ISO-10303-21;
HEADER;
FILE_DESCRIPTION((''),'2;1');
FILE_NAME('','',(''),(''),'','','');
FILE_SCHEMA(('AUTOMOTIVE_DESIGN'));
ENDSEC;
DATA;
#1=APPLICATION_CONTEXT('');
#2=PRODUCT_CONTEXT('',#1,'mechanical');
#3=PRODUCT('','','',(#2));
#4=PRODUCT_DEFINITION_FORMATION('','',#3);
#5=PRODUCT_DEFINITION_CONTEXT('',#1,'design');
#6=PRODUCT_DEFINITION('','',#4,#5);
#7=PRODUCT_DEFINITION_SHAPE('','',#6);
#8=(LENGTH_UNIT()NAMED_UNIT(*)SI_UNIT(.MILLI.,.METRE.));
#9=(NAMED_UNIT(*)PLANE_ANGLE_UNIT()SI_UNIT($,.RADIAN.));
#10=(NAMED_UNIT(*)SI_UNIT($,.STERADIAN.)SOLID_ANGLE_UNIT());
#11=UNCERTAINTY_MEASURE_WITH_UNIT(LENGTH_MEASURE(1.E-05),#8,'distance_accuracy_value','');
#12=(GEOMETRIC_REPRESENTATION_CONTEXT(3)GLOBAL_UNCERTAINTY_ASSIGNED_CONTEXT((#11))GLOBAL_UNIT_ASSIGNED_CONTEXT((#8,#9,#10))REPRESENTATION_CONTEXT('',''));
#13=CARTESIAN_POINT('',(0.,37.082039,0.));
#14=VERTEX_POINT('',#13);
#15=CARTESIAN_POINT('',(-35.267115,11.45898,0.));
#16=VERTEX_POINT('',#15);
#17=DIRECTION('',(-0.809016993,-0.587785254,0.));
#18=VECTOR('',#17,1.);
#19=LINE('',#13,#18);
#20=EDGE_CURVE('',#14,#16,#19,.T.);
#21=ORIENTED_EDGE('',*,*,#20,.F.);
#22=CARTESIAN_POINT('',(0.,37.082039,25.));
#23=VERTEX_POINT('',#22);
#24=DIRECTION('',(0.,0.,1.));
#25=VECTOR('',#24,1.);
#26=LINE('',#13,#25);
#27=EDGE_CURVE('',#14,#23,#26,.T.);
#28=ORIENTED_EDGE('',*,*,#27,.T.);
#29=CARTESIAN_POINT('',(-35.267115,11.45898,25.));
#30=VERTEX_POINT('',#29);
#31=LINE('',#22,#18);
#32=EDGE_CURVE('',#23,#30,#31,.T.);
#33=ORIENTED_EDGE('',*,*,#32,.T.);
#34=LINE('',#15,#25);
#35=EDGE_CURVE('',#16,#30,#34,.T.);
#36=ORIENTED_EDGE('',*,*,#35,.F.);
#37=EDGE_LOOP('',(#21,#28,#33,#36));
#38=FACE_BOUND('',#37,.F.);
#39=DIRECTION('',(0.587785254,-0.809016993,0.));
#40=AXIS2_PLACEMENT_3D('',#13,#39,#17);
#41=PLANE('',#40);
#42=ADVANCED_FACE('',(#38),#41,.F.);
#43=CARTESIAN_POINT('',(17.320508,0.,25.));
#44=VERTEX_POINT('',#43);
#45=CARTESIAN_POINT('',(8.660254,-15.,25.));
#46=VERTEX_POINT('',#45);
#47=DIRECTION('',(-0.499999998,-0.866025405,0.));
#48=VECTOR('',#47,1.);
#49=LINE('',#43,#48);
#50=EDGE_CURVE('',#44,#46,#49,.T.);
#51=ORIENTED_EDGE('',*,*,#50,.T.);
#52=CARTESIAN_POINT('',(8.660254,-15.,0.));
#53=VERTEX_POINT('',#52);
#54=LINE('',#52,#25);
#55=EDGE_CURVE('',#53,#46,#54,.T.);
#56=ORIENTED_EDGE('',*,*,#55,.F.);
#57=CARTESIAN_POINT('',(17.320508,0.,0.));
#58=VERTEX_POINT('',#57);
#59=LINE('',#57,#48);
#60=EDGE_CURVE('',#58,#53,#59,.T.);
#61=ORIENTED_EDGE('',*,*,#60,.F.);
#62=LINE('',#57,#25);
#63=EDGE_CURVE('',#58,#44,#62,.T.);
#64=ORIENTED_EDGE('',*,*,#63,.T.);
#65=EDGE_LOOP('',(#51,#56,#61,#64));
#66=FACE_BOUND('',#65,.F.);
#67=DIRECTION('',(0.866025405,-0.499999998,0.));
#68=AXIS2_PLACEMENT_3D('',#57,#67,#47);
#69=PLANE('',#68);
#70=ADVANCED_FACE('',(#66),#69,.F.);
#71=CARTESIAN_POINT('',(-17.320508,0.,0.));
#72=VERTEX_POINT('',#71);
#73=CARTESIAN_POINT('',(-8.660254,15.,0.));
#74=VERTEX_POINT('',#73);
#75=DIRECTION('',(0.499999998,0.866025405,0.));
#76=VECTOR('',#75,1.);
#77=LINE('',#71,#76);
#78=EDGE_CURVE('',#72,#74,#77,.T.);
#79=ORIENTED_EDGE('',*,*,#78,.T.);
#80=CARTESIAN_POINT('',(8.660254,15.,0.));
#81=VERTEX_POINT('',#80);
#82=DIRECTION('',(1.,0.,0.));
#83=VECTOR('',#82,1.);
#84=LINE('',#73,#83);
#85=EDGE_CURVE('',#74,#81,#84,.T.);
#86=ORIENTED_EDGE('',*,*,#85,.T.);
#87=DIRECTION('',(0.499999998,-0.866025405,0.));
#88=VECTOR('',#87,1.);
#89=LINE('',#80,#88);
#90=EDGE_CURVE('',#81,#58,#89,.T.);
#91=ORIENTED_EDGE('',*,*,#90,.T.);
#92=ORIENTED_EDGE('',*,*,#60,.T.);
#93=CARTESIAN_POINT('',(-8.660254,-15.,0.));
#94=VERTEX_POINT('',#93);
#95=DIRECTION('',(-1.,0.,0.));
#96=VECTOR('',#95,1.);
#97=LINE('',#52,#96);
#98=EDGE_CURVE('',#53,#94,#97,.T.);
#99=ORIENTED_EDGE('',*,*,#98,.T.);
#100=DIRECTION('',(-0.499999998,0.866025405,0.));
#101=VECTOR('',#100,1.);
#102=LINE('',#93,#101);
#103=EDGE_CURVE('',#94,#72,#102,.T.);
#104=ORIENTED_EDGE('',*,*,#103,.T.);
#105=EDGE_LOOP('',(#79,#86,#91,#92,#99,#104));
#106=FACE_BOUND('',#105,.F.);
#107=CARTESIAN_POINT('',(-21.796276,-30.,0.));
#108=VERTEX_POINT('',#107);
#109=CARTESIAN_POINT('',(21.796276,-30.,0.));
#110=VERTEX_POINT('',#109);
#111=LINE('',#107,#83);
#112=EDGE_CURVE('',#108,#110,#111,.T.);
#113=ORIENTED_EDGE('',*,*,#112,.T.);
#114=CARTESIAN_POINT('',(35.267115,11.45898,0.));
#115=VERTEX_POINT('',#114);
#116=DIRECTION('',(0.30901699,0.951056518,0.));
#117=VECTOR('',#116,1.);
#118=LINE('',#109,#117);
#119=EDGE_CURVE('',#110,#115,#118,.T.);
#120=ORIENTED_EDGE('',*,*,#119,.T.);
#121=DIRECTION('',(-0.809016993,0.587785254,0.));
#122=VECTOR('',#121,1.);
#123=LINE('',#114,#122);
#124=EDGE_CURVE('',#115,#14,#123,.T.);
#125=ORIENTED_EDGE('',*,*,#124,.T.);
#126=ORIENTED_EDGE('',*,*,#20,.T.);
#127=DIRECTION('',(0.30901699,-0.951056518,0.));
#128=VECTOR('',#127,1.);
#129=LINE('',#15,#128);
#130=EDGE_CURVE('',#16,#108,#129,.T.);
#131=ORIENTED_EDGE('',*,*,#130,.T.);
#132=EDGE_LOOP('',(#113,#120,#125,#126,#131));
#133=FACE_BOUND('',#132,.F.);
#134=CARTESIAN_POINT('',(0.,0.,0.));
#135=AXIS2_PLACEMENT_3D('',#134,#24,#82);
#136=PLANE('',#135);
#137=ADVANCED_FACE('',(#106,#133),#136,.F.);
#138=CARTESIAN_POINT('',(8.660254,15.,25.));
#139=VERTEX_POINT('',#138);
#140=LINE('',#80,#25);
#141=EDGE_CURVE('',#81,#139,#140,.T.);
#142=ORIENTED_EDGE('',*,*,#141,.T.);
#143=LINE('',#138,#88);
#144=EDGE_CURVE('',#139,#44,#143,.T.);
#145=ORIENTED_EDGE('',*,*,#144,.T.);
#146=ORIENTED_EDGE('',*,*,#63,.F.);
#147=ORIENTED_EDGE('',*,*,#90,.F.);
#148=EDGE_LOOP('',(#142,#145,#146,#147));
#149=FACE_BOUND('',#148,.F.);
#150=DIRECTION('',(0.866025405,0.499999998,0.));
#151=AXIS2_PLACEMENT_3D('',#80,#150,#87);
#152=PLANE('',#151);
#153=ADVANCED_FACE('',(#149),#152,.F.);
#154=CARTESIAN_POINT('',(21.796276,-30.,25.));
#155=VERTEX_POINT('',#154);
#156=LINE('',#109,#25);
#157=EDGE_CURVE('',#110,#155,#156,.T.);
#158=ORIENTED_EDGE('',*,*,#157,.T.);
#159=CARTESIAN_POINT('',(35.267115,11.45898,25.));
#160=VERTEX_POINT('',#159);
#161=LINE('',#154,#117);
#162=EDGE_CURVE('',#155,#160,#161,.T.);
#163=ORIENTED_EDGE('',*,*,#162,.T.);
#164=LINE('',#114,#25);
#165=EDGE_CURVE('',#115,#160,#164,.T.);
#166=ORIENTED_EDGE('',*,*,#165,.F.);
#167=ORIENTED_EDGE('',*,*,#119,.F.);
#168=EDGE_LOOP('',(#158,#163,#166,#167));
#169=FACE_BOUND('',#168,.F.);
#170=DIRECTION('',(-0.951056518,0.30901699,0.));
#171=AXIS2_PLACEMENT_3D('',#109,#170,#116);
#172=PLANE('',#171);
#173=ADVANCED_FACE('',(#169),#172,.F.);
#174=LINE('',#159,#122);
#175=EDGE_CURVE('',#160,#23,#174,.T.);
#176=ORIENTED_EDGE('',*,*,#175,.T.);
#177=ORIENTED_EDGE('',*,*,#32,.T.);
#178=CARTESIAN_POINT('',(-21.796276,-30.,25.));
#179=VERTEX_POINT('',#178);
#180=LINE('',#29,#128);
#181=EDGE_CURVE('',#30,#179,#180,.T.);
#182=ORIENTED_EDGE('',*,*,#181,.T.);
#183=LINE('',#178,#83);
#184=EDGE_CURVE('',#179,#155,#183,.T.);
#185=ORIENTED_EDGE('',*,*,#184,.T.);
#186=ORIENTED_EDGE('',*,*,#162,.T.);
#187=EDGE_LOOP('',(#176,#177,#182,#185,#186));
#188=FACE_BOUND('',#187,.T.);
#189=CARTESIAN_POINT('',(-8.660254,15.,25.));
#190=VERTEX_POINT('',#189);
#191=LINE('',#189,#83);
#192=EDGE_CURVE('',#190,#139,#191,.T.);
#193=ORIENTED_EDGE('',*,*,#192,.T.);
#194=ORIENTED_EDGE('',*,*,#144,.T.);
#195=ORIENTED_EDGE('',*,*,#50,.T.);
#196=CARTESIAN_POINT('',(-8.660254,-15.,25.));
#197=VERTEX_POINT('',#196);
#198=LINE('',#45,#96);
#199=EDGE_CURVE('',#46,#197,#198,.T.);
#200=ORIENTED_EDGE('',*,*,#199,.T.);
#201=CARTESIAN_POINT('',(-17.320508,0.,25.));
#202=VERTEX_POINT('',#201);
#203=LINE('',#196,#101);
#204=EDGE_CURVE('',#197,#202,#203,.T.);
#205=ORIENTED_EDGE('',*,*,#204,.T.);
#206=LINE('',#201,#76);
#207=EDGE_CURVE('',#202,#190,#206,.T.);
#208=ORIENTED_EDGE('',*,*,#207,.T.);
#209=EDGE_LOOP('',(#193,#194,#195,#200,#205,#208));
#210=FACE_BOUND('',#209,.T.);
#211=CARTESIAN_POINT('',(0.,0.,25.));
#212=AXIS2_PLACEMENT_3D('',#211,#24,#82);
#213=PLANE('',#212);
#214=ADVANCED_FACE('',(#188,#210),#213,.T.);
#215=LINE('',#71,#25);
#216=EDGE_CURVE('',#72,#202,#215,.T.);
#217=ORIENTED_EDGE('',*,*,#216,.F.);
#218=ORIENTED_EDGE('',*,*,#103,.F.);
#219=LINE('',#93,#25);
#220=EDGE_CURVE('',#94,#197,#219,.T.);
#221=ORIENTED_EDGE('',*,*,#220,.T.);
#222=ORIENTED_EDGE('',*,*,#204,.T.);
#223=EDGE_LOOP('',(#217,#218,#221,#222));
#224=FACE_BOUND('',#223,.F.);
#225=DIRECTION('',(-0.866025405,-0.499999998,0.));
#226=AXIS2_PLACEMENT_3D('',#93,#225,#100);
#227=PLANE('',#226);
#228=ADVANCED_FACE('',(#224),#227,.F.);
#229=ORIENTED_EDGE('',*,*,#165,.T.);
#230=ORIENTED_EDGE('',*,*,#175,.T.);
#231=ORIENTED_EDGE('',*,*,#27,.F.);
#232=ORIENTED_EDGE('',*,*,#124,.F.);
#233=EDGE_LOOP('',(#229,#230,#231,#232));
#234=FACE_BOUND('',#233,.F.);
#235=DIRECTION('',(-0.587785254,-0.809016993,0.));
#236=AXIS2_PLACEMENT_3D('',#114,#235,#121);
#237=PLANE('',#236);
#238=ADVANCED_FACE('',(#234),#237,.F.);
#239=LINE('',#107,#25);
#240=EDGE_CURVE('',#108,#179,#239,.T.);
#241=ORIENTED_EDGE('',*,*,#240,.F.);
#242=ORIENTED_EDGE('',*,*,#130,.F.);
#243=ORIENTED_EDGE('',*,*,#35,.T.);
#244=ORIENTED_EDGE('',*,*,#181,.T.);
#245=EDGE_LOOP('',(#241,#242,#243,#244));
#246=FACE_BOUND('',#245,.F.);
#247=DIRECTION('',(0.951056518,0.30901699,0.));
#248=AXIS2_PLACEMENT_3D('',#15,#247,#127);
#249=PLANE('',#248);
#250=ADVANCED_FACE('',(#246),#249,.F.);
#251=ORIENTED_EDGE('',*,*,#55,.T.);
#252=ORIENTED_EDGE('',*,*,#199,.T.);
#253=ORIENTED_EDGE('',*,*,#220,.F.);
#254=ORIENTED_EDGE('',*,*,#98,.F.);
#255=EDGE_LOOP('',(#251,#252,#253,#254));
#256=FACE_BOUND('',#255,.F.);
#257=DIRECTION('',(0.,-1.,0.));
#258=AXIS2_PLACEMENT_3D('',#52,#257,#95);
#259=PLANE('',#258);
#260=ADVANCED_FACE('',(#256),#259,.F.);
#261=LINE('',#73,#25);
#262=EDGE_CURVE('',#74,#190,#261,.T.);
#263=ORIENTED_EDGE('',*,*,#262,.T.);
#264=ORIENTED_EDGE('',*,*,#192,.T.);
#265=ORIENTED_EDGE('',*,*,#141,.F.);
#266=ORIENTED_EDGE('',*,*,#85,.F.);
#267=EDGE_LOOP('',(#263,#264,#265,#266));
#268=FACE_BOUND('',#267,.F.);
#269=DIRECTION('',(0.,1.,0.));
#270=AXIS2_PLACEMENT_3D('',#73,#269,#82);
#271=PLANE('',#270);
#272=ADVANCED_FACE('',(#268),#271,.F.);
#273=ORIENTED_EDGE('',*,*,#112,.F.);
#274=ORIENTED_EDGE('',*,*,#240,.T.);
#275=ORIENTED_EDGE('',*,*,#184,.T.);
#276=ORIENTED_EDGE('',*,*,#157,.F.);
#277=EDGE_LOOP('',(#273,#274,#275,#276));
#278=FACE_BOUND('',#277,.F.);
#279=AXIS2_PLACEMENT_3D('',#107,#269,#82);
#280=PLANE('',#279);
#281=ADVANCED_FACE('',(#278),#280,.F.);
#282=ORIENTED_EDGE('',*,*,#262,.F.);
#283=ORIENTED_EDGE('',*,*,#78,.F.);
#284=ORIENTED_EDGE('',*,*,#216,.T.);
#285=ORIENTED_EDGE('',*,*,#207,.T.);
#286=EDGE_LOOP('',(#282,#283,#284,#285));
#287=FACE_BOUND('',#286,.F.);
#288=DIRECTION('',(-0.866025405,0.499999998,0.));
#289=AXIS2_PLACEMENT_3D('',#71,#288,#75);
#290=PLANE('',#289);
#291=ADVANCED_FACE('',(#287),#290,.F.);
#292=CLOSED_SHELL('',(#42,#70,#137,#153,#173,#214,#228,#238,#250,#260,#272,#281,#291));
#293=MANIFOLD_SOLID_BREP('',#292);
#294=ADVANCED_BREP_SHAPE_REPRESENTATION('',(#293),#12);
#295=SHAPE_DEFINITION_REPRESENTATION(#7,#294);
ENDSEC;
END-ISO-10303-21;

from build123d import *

# Parameters (mm, degrees)
F1_DEPTH = 25


with BuildPart() as f1:
    # F0 (on Top) → F1 (new body)
    with BuildSketch(Plane.XY):
        Polygon((21.796276, -30), (35.267115, 11.45898), (0, 37.082039), (-35.267115, 11.45898), (-21.796276, -30), align=None)
        Polygon((-17.320508, 0), (-8.660254, 15), (8.660254, 15), (17.320508, 0), (8.660254, -15), (-8.660254, -15), align=None, mode=Mode.SUBTRACT)
    extrude(amount=F1_DEPTH)


solid = f1.part
